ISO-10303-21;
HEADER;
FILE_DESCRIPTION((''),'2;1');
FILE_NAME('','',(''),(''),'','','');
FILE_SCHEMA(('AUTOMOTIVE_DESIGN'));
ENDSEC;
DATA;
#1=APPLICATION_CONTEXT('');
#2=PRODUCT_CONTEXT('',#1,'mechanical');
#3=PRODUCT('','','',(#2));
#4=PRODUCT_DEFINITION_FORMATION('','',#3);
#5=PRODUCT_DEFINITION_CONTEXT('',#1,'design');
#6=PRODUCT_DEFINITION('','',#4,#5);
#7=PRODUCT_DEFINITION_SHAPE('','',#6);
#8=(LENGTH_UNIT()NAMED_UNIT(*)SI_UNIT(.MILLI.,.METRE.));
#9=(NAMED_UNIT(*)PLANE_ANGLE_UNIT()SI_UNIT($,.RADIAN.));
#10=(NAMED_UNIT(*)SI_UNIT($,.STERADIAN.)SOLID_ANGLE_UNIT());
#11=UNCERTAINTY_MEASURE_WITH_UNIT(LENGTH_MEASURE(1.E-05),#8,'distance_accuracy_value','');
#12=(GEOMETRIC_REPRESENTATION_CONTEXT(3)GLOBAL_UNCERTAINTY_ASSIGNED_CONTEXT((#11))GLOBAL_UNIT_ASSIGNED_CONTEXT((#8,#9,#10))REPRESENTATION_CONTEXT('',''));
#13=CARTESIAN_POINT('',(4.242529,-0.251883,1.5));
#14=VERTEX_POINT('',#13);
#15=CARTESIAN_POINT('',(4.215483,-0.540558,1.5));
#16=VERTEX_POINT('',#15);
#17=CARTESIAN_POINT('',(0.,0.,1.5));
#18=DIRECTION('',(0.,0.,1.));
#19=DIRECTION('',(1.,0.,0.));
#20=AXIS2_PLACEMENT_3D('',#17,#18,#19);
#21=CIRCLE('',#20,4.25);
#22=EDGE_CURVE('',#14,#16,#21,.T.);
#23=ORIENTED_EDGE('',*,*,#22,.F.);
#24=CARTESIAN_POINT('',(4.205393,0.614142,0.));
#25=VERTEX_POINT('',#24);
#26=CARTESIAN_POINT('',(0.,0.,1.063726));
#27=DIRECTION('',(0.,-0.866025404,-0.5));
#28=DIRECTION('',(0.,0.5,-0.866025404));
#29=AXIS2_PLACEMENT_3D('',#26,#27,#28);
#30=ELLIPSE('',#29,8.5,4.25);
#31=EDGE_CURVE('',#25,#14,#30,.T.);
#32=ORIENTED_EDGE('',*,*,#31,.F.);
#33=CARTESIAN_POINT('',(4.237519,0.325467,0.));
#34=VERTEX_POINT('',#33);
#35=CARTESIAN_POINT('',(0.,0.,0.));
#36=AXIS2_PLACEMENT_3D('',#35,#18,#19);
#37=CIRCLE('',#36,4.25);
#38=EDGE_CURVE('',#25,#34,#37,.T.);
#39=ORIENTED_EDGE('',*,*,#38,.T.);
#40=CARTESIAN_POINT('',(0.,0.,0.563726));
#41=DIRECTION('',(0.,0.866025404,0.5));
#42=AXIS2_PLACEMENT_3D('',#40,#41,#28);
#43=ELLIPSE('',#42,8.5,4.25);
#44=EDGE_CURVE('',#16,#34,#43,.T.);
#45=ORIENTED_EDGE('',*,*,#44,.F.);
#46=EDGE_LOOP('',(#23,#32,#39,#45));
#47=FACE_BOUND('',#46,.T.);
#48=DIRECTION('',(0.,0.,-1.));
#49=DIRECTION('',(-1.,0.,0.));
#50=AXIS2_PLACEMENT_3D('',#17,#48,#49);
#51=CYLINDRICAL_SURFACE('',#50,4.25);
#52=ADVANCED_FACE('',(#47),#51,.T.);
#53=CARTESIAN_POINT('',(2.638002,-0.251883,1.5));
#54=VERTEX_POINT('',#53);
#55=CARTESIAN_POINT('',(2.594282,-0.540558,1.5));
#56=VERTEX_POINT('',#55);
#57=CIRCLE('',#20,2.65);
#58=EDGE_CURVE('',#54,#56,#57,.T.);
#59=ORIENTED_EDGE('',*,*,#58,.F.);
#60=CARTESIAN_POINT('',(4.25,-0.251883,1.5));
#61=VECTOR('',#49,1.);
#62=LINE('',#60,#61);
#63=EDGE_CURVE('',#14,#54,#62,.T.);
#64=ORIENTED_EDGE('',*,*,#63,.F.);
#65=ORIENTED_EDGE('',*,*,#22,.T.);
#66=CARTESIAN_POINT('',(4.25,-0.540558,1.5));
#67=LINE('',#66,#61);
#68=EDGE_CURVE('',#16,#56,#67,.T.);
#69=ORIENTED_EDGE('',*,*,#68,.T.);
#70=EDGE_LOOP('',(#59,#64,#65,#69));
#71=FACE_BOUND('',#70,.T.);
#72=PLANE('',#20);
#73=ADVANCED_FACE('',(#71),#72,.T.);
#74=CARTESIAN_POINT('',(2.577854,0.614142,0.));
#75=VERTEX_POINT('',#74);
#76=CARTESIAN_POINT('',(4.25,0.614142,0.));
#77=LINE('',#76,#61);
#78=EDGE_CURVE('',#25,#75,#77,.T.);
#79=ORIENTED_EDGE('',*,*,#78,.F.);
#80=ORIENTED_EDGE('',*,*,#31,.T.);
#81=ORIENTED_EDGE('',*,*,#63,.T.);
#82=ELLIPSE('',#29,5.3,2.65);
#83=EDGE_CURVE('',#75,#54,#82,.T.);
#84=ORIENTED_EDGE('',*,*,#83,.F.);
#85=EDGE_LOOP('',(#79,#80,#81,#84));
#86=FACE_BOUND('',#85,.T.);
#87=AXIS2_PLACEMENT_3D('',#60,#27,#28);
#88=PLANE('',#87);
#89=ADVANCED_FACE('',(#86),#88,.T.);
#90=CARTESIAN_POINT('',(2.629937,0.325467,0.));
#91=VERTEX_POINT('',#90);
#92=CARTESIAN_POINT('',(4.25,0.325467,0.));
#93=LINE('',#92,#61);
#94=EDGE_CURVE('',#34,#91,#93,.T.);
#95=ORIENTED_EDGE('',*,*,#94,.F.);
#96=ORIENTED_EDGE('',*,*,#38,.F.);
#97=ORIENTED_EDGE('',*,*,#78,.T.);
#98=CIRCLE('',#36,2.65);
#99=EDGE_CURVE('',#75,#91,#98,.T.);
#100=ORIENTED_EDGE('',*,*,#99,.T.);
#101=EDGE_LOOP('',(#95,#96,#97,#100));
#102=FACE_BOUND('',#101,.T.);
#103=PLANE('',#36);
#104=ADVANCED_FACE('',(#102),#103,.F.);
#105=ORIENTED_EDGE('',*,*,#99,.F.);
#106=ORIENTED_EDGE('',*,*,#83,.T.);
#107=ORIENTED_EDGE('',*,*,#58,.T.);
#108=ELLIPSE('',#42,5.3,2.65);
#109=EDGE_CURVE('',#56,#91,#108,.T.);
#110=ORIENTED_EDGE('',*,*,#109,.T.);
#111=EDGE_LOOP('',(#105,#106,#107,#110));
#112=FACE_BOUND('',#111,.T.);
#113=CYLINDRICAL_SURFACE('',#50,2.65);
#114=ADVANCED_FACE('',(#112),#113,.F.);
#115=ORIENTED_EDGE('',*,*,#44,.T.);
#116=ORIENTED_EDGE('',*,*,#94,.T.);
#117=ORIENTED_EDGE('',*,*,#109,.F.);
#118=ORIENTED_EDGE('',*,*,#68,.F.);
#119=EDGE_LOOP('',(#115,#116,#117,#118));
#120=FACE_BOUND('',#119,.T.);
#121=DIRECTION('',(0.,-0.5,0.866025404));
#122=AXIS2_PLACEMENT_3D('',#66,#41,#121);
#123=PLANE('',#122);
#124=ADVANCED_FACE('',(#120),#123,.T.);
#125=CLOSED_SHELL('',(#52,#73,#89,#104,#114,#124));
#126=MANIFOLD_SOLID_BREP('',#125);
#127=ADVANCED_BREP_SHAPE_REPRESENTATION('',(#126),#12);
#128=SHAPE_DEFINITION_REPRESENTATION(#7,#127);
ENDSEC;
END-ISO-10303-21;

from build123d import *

# Parameters (mm, degrees)
ESQUISSE1_R             = 4.25
ESQUISSE1_R_2           = 2.65
EXTRUSION1_DEPTH        = 1.5
ENL_V_MAT_EXTRU_1_DEPTH = 7.194755847


with BuildPart() as part:
    # Esquisse1 → Extrusion1 (new body)
    with BuildSketch(Plane.XY):
        Circle(ESQUISSE1_R)
        Circle(ESQUISSE1_R_2, mode=Mode.SUBTRACT)
    extrude(amount=EXTRUSION1_DEPTH)

    # Esquisse2 → Enlèv. mat.-Extru.1 (cut, through all)
    with BuildSketch(Plane(origin=(0, 0, 0), x_dir=(0, 0, -1), z_dir=(1, 0, 0))):
        Polygon((-1.5, -0.251883141), (0, 0.614142263), (0, 0.325467128), (-1.5, -0.540558276), align=None)
    extrude(amount=ENL_V_MAT_EXTRU_1_DEPTH, mode=Mode.SUBTRACT)


solid = part.part
